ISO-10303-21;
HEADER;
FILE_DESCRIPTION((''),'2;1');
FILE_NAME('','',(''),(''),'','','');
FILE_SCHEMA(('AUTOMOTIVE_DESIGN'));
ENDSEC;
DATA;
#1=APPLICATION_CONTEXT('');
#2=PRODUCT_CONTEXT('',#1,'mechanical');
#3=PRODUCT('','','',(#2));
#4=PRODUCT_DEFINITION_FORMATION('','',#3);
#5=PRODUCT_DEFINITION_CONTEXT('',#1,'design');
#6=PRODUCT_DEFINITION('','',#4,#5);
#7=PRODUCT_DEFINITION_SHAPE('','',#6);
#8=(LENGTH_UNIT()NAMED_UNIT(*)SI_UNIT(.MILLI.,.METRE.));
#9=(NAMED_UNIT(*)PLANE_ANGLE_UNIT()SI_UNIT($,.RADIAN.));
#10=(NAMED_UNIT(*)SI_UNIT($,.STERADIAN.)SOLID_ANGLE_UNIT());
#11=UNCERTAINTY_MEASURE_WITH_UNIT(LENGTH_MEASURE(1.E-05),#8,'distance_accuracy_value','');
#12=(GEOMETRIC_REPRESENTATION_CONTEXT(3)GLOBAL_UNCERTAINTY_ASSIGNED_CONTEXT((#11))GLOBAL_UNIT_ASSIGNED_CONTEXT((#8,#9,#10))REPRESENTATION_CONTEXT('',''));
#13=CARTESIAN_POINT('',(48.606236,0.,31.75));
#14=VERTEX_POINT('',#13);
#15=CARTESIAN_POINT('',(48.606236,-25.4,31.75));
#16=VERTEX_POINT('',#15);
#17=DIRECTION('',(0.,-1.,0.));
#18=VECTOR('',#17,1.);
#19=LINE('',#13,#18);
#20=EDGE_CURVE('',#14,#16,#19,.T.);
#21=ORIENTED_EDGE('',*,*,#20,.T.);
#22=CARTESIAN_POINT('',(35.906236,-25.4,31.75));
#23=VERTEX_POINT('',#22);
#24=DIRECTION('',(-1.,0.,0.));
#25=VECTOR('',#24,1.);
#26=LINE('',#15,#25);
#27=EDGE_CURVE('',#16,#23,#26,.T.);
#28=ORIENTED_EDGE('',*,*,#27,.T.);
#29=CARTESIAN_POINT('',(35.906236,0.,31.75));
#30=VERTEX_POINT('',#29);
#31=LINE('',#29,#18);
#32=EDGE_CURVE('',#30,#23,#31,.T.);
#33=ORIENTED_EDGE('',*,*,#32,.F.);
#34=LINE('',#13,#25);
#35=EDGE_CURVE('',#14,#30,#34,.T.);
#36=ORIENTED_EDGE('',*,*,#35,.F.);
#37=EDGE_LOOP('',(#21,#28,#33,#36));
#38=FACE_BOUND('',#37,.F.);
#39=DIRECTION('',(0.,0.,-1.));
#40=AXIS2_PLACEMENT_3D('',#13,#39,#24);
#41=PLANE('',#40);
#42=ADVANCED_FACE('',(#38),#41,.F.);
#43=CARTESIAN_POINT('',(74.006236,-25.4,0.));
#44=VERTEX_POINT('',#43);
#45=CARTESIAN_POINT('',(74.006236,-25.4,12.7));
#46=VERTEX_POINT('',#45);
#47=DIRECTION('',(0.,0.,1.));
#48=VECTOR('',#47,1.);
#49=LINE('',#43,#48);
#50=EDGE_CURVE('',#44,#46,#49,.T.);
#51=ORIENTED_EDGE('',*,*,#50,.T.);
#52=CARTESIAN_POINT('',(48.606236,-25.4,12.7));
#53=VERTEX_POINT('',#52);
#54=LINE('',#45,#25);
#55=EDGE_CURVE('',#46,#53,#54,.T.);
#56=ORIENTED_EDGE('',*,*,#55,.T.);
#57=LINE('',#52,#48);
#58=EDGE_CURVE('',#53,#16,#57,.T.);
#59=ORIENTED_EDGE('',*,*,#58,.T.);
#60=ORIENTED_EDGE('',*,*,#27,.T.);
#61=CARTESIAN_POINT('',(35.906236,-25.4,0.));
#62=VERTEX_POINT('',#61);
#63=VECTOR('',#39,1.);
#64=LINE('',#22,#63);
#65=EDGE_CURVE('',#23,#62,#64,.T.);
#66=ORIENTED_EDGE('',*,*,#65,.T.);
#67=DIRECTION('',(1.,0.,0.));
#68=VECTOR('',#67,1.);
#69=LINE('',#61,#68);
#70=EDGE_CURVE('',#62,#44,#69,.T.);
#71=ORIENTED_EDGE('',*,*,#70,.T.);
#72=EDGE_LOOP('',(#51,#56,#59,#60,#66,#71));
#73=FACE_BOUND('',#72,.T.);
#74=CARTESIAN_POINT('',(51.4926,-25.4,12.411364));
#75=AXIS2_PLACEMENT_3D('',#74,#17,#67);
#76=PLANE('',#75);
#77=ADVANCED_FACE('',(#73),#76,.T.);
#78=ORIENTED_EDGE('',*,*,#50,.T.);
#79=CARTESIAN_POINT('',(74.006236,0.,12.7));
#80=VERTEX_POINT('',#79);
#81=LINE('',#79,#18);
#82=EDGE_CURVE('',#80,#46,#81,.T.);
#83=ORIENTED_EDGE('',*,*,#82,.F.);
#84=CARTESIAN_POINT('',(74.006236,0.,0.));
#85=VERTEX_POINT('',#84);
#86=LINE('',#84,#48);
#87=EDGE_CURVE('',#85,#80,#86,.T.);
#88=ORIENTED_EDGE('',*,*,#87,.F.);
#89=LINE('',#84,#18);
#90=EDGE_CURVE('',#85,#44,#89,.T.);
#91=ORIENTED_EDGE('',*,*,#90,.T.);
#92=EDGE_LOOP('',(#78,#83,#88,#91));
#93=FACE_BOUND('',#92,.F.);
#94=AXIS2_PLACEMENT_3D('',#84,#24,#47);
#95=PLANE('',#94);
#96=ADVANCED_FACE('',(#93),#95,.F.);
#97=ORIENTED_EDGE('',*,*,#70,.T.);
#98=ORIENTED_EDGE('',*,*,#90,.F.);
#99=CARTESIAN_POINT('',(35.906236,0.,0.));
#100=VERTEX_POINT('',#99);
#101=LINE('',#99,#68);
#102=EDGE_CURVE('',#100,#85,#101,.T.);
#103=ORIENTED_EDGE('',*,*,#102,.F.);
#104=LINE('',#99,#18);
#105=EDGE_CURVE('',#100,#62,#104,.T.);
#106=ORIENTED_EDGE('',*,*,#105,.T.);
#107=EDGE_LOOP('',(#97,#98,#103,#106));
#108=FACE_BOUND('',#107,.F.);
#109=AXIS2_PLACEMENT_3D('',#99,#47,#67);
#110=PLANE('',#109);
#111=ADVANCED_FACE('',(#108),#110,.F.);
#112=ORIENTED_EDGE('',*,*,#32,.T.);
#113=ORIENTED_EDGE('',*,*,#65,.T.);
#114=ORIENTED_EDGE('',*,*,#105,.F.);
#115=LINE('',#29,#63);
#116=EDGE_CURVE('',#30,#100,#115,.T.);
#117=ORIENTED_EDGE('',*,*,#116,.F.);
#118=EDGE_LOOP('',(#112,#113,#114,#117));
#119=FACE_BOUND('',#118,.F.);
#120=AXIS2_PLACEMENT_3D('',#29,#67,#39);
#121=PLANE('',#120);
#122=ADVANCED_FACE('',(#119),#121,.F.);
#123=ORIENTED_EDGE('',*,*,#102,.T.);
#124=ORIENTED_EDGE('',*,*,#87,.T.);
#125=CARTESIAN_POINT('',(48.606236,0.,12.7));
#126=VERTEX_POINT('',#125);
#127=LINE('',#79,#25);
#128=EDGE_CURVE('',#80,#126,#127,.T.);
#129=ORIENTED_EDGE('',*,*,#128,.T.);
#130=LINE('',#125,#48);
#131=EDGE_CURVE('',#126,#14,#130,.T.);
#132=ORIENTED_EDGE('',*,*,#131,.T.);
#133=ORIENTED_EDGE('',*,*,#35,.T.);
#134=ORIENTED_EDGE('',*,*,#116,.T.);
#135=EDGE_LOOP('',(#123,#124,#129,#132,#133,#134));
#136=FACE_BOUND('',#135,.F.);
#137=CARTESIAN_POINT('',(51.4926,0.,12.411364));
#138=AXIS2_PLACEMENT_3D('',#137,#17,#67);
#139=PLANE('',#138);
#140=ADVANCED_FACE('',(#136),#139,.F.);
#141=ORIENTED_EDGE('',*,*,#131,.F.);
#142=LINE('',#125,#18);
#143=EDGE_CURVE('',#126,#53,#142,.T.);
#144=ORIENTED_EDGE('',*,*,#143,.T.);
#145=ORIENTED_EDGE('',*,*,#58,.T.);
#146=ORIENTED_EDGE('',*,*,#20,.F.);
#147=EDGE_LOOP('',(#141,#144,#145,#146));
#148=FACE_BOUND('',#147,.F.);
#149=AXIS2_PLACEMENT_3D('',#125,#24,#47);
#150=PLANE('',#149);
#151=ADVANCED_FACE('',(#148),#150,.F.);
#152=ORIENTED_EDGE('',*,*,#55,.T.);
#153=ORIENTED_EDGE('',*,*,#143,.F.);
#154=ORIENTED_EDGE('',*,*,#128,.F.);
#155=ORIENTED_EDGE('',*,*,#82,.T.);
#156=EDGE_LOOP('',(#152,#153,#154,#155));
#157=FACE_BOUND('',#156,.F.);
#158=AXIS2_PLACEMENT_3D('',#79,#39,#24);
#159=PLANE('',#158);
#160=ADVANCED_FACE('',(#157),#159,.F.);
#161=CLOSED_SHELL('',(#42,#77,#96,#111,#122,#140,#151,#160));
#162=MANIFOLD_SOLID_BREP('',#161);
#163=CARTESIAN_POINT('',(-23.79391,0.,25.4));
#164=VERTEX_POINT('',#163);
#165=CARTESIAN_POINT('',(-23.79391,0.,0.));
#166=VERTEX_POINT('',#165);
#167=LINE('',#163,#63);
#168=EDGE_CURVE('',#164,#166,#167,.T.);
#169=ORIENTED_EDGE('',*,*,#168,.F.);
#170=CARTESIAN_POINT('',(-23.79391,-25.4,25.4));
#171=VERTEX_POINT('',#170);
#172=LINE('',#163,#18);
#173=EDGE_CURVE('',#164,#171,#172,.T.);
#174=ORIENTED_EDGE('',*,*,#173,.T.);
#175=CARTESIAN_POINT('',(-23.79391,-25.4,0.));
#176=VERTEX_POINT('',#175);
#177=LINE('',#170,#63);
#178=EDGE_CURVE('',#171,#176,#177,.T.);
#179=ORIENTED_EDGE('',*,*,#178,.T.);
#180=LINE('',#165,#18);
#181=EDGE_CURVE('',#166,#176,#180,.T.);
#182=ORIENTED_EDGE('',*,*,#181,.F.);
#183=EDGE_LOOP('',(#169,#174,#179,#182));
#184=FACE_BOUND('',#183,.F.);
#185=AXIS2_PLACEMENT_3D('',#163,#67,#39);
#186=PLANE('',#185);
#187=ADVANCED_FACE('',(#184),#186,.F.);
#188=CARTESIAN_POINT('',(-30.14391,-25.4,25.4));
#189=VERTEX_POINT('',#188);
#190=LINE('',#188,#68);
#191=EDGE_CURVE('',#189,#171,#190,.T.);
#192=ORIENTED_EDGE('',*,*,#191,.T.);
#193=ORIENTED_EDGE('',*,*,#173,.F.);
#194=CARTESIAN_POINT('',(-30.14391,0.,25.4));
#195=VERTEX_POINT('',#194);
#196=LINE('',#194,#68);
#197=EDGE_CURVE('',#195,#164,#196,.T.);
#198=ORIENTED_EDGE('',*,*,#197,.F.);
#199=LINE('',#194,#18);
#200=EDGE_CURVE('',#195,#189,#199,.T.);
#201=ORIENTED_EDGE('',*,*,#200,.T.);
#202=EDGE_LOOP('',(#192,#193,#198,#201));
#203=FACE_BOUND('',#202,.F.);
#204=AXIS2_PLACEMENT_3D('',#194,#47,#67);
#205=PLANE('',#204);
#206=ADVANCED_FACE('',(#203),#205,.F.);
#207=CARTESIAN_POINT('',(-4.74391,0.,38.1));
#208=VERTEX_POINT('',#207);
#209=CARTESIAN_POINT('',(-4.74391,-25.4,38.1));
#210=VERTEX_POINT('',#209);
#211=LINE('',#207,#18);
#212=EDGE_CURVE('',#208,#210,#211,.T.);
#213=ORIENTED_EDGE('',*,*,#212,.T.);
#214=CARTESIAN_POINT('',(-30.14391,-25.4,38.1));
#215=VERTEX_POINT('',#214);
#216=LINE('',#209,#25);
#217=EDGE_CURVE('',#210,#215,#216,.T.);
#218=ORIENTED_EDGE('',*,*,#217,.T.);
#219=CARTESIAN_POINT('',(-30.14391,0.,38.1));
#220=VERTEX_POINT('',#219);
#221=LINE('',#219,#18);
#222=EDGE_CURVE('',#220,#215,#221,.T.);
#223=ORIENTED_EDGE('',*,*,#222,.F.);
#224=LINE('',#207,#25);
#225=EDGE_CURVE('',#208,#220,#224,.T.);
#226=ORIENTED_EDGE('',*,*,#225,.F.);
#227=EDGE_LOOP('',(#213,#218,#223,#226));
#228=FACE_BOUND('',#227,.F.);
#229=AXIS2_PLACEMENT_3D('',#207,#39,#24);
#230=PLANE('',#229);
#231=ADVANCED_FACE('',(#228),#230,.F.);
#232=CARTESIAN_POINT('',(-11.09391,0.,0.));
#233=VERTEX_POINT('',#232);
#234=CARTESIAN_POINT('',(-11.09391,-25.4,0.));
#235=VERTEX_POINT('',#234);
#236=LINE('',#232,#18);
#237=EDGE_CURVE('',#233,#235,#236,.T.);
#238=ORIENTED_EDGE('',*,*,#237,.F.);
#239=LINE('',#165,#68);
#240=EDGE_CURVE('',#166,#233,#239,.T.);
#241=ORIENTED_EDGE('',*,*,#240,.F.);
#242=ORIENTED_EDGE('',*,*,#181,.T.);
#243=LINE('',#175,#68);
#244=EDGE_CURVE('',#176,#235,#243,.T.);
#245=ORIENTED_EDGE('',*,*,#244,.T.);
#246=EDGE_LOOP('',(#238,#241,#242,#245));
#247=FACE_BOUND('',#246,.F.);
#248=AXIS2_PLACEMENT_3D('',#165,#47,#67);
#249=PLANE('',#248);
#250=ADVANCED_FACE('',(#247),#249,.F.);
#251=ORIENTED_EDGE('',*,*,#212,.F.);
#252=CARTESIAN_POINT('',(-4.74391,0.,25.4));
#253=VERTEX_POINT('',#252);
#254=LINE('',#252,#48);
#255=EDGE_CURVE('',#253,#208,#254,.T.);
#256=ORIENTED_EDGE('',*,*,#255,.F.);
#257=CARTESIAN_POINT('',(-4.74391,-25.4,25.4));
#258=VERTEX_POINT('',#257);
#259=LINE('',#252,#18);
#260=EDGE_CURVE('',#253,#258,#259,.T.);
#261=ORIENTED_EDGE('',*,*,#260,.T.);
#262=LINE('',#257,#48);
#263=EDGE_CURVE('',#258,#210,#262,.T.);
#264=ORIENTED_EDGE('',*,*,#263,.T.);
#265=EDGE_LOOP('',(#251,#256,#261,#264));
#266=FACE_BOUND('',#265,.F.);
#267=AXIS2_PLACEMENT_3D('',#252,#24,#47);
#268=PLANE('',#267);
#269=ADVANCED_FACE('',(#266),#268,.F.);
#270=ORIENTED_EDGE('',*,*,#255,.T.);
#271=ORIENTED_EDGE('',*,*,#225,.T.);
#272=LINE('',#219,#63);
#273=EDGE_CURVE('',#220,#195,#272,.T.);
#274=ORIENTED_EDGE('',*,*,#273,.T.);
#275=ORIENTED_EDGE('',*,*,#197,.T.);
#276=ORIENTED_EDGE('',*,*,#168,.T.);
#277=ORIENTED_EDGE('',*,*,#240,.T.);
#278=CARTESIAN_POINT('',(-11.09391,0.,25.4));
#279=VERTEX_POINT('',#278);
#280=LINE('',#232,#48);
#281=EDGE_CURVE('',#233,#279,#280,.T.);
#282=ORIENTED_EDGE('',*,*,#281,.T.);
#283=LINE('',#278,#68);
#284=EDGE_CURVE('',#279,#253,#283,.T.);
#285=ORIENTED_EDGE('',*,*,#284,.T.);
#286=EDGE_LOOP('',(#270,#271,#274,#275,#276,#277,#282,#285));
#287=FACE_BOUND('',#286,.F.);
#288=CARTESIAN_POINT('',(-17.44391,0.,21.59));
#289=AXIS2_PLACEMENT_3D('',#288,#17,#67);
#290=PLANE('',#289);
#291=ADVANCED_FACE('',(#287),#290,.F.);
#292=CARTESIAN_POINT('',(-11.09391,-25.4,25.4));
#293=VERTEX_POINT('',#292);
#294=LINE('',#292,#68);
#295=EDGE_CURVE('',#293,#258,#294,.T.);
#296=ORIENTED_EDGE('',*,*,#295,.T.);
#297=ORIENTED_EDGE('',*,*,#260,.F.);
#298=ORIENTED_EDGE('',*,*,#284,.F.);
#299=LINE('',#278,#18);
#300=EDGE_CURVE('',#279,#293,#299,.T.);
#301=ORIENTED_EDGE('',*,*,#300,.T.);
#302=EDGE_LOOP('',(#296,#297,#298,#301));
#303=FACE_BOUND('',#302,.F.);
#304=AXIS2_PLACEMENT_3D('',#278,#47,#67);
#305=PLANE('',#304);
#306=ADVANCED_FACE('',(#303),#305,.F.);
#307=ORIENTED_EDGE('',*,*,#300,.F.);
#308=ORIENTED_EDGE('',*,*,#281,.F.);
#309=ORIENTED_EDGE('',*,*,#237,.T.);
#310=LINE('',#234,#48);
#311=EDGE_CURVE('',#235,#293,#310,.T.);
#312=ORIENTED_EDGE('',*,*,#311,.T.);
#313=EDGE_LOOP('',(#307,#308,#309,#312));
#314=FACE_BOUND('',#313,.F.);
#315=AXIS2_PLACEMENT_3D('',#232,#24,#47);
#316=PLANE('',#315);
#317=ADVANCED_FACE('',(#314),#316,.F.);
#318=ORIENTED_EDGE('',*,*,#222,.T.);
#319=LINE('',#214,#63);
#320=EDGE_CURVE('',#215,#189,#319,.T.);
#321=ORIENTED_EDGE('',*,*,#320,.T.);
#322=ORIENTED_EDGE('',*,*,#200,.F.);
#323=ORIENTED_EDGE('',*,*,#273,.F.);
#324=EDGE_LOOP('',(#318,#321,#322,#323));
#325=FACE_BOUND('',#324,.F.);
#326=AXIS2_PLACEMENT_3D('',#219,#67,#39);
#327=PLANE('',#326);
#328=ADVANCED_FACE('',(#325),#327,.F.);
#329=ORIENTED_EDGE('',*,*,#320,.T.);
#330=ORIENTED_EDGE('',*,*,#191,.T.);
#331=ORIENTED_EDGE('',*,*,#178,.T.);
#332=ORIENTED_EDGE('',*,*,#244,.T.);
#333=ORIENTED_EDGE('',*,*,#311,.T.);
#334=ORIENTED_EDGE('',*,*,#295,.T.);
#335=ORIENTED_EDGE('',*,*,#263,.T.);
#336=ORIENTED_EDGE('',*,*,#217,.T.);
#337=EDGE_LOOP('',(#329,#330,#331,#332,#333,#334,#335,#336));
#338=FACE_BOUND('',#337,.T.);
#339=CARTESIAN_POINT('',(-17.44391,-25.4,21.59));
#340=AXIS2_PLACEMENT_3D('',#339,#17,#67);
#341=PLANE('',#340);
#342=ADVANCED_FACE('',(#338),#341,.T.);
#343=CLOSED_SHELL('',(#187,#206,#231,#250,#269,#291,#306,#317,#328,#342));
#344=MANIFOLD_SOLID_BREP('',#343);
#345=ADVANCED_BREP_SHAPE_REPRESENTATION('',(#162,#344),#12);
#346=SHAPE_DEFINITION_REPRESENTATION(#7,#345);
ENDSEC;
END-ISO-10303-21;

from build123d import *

# Parameters (mm, degrees)
F1_DEPTH = 25.4
F3_DEPTH = 25.4


with BuildPart() as f1:
    # F0 (on Front) → F1 (new body)
    with BuildSketch(Plane.XZ):
        Polygon((35.906236, 31.75), (35.906236, 0), (74.006236, 0), (74.006236, 12.7), (48.606236, 12.7), (48.606236, 31.75), align=None)
    extrude(amount=F1_DEPTH)


with BuildPart() as f3:
    # F2 (on Front) → F3 (new body)
    with BuildSketch(Plane.XZ):
        Polygon((-23.79391, 25.4), (-23.79391, 0), (-11.09391, 0), (-11.09391, 25.4), (-4.74391, 25.4), (-4.74391, 38.1), (-30.14391, 38.1), (-30.14391, 25.4), align=None)
    extrude(amount=F3_DEPTH)


solid = Compound([f1.part, f3.part])
